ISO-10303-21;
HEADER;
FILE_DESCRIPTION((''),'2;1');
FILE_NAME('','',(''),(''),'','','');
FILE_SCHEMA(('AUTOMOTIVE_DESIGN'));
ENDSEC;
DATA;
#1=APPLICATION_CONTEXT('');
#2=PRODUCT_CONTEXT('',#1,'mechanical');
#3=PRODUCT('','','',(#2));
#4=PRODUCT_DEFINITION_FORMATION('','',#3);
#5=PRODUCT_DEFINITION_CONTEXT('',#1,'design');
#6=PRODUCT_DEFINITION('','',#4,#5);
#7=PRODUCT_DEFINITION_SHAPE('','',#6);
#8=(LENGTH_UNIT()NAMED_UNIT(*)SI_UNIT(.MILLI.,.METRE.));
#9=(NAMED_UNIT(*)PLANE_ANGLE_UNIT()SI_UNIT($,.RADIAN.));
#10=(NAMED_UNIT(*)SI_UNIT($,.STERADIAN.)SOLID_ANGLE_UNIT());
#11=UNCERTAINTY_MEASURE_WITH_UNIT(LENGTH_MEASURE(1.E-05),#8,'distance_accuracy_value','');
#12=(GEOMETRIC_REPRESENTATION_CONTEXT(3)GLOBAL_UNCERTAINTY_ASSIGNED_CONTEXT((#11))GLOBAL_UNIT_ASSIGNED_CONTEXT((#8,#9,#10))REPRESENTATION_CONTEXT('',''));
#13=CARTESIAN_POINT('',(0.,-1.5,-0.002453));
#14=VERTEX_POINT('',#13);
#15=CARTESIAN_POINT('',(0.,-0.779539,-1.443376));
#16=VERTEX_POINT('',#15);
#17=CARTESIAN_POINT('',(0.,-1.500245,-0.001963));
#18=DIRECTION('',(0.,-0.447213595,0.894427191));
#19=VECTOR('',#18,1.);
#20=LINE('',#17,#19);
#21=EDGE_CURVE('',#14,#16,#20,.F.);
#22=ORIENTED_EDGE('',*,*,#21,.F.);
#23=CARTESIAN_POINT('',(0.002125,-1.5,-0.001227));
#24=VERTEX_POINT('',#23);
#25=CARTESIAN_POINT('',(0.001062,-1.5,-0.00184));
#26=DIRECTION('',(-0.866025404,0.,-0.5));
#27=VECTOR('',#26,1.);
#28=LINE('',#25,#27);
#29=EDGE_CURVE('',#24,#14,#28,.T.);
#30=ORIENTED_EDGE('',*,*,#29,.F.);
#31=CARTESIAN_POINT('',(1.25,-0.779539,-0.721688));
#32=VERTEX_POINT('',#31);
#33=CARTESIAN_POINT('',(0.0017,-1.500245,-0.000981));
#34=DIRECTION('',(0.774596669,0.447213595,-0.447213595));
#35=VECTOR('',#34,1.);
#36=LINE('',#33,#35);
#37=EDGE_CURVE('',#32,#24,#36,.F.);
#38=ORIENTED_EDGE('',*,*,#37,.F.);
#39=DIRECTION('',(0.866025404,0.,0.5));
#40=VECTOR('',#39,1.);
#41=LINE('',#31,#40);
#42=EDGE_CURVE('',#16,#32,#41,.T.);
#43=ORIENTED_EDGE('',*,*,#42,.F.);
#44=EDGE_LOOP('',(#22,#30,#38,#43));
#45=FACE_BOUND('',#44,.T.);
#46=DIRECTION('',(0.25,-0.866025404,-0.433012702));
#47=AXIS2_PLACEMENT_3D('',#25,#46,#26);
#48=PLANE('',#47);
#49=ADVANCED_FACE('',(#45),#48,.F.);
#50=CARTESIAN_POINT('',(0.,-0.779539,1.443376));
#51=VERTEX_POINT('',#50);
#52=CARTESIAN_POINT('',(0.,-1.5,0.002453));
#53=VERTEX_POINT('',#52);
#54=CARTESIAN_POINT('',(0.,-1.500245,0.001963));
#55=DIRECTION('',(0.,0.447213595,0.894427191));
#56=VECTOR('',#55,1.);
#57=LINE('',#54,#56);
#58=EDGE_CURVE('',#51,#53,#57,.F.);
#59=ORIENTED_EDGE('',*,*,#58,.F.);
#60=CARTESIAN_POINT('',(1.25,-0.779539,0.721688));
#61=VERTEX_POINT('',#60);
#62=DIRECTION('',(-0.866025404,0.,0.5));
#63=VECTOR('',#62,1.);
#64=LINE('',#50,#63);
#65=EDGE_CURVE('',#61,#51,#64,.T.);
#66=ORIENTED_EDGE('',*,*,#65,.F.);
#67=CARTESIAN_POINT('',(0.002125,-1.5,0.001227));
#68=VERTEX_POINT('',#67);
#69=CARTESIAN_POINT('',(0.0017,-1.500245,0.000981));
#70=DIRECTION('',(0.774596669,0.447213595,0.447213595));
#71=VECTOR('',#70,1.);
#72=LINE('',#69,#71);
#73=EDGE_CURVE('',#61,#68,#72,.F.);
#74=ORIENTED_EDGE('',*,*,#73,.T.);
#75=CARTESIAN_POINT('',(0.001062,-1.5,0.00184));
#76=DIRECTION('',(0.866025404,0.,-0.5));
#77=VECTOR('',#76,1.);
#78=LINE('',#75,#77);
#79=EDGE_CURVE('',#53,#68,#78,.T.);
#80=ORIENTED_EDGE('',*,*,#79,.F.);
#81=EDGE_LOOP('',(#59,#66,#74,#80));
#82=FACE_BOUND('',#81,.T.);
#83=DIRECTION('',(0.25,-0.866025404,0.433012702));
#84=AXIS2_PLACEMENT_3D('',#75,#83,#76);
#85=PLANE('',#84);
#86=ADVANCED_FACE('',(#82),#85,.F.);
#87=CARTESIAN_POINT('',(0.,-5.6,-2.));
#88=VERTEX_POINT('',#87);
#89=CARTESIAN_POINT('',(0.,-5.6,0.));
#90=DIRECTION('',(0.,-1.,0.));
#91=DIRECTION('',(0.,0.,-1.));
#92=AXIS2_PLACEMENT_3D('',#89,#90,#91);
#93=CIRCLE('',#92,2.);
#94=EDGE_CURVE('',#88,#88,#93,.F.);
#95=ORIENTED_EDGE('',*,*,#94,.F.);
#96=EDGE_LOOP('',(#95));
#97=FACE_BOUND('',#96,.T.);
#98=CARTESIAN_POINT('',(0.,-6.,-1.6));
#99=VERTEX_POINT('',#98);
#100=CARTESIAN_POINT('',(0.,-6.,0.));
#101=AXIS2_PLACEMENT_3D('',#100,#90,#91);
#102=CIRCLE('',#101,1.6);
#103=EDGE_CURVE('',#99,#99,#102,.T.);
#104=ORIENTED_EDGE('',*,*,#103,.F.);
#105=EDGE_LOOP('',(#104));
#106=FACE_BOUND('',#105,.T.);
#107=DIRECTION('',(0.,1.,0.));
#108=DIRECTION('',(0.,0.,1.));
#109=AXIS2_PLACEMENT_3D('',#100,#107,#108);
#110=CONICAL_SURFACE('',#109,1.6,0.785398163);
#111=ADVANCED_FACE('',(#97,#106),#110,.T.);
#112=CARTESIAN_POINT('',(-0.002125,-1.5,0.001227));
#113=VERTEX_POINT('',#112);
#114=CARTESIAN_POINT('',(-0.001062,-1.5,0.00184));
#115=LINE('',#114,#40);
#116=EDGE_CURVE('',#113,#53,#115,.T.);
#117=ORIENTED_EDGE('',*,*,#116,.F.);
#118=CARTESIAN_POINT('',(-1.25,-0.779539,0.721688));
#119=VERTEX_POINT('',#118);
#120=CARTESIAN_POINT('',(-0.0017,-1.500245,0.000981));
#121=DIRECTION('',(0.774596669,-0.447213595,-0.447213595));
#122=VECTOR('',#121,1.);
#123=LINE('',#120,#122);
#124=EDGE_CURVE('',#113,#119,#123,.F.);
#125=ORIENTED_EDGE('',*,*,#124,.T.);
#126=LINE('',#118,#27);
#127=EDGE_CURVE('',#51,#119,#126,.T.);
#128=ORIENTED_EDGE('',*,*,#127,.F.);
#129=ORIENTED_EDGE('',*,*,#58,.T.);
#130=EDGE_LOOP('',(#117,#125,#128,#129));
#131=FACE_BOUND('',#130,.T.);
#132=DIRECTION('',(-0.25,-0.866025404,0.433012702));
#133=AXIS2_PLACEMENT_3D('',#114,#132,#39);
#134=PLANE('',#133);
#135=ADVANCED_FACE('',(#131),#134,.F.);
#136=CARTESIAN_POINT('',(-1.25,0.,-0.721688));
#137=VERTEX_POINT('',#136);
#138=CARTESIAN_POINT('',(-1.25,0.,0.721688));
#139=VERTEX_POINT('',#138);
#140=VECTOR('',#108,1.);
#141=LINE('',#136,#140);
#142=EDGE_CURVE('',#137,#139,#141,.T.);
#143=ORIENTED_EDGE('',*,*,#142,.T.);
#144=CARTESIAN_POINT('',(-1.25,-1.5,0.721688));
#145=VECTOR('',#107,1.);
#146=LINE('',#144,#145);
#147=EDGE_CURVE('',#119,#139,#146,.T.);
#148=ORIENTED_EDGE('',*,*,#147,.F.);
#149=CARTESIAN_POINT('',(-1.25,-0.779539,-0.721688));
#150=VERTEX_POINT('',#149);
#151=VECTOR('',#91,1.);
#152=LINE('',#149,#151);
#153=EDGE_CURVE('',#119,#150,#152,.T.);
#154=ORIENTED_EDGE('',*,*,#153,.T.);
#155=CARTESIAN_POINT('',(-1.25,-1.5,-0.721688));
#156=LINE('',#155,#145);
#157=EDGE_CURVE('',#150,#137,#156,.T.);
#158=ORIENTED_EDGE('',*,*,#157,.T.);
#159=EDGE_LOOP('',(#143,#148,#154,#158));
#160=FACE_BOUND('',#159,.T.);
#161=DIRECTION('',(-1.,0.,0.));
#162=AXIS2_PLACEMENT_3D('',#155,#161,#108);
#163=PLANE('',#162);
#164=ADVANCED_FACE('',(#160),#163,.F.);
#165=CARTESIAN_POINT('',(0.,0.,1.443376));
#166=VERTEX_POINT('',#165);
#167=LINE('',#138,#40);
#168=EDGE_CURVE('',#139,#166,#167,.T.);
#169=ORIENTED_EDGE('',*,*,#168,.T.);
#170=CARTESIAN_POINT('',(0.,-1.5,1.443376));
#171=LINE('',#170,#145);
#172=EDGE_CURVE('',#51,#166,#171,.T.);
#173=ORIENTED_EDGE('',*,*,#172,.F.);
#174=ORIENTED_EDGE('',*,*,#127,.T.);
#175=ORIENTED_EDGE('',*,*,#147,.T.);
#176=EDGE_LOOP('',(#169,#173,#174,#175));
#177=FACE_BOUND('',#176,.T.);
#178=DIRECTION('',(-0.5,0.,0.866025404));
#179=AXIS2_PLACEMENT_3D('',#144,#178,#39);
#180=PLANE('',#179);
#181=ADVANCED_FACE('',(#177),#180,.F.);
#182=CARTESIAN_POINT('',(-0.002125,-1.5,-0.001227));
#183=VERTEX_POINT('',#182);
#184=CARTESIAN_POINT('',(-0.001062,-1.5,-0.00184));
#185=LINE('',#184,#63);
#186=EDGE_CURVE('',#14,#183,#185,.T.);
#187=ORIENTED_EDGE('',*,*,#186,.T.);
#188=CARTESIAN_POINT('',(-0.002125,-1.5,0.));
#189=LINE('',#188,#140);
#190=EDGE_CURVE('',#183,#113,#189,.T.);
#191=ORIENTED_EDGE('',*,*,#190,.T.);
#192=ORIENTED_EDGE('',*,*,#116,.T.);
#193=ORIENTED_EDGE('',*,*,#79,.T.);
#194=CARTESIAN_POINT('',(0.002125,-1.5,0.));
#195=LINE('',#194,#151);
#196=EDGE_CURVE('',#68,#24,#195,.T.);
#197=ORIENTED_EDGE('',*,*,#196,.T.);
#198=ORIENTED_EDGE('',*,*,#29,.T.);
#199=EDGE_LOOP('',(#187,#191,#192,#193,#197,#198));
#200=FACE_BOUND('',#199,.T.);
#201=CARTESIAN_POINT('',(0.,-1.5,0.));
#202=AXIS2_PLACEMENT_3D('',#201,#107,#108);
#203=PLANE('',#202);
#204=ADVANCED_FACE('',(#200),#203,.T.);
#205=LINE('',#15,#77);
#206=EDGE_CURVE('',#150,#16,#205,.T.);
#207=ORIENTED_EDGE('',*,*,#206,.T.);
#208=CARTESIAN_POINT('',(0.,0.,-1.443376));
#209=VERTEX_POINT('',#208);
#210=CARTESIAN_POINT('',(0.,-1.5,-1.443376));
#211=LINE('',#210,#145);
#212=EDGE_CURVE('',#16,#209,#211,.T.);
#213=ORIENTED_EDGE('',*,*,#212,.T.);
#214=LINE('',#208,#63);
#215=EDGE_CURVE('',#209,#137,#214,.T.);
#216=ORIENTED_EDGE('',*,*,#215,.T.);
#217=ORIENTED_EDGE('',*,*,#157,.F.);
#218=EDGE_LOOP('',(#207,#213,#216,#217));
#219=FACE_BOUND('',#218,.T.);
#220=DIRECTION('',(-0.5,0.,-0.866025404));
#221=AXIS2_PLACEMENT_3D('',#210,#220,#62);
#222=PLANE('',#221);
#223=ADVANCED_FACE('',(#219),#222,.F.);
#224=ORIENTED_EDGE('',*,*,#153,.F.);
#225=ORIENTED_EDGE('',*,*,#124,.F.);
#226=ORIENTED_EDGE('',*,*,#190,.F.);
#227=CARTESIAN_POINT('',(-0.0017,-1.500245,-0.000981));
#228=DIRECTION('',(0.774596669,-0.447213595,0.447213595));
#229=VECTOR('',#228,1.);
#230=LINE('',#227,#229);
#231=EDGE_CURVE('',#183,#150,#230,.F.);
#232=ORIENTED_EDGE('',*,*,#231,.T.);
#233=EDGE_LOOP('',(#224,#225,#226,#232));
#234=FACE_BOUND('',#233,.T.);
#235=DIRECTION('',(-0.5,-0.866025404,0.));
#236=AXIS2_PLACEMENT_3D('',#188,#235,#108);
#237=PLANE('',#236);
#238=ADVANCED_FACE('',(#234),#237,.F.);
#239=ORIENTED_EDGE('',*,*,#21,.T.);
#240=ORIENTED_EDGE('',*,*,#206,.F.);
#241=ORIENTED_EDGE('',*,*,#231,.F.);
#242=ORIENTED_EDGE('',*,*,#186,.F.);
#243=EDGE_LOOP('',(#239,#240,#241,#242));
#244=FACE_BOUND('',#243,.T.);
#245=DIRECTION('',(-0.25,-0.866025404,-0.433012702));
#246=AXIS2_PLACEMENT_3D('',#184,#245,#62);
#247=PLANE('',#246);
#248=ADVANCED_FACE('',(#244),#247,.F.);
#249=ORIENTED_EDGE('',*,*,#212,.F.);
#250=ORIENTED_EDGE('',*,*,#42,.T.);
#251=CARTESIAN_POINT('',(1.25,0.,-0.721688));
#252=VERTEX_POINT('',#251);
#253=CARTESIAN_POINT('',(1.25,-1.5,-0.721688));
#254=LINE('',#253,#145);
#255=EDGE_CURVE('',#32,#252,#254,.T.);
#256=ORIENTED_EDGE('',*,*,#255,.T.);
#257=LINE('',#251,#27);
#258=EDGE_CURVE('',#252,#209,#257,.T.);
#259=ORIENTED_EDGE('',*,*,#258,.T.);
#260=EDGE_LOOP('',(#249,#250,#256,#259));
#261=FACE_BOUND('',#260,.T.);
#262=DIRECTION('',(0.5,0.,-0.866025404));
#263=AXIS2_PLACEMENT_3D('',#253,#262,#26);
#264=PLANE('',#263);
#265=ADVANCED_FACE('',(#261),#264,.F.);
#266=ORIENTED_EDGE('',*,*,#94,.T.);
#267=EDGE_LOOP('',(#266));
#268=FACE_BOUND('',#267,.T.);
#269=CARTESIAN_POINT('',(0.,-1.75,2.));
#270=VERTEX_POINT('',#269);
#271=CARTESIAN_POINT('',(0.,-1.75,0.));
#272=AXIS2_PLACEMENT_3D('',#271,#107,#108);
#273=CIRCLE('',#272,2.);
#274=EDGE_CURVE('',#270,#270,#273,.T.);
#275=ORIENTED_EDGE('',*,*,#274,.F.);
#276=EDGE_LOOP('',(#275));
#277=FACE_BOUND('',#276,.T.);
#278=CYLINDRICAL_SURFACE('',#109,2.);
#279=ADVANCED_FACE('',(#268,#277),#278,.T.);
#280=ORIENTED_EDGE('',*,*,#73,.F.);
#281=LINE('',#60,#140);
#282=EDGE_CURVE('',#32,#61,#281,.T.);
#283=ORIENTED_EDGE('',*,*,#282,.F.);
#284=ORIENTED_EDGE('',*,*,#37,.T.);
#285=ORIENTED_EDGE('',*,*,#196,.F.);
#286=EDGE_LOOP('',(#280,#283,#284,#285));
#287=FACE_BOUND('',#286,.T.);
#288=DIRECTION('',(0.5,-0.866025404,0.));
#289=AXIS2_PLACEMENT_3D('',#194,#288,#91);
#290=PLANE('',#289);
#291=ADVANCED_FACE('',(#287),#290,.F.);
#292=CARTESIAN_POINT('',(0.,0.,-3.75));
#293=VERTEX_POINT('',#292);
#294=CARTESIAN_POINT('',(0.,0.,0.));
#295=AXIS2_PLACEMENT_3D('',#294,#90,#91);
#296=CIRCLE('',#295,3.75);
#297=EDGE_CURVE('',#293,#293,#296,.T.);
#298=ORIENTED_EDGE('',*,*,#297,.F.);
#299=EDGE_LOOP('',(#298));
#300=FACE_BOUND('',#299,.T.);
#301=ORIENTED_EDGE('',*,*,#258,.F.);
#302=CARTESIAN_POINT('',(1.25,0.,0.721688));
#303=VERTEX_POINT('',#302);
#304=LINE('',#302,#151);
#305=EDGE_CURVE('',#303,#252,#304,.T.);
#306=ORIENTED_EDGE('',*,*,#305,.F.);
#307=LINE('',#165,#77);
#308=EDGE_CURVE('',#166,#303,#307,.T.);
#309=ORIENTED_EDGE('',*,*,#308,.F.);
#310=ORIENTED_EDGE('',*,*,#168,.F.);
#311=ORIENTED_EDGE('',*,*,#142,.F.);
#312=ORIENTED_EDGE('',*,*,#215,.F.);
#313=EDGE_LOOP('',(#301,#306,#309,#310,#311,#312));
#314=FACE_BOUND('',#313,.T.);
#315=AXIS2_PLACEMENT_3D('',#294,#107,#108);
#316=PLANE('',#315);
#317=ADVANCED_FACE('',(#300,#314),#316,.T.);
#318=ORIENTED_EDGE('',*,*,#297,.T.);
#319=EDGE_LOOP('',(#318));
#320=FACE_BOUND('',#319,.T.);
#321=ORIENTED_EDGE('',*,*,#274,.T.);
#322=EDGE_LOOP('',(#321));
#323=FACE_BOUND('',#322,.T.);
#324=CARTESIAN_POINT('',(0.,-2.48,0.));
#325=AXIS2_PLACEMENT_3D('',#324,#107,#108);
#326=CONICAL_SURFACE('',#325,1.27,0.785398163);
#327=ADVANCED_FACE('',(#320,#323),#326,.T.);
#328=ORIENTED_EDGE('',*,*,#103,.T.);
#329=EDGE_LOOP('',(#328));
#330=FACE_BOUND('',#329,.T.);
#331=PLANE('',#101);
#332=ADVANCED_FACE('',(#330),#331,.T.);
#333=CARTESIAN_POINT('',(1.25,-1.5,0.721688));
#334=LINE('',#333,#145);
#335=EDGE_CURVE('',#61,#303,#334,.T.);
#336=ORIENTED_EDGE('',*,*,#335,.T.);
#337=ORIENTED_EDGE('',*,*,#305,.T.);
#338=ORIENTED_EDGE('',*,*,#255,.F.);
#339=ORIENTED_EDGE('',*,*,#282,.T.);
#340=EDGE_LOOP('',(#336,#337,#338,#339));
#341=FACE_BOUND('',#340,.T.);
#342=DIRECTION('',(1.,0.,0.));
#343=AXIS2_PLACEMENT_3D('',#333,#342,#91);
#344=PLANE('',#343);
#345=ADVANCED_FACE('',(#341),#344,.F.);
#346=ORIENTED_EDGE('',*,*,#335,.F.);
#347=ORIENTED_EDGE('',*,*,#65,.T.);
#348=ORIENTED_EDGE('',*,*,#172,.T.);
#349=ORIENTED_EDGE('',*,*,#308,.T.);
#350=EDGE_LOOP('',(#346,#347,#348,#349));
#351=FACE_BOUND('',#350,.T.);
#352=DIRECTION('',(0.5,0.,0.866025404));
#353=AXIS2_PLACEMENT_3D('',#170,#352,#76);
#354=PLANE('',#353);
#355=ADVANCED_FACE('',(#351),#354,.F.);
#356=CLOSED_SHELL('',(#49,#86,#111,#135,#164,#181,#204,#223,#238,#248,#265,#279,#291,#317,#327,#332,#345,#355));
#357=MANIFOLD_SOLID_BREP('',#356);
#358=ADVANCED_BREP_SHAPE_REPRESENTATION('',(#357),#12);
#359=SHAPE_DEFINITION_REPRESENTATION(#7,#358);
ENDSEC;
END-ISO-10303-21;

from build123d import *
from OCP.BRepFilletAPI import BRepFilletAPI_MakeChamfer

# Parameters (mm, degrees)
SKETCH_4_R          = 2
EXTRUDE_2_DEPTH     = 6
CUT_EXTRUDE_1_DEPTH = 1.5
CHAMFER_3_SIZE      = 0.720461095
CHAMFER_3_SIZE2     = 1.247875222
CHAMFER_4_SIZE      = 0.4


with BuildPart() as part:
    # 草图2 → 旋转1 (revolve)
    with BuildSketch(Plane.XY):
        Polygon((0, -2.48), (0, 0), (3.75, 0), (1.27, -2.48), align=None)
    revolve(axis=Axis((0, -2.48, 0), (0, 1, 0)))

    # 草图4 → 凸台-拉伸2 (add)
    with BuildSketch(Plane.XZ):
        Circle(SKETCH_4_R)
    extrude(amount=EXTRUDE_2_DEPTH)

    # 草图3 → 切除-拉伸1 (cut)
    with BuildSketch(Plane(origin=(0, 0, 0), x_dir=(1, 0, 0), z_dir=(0, 1, 0))):
        Polygon((1.25, 0.721687836), (0, 1.443375673), (-1.25, 0.721687836), (-1.25, -0.721687836), (0, -1.443375673), (1.25, -0.721687836), align=None)
    extrude(amount=-CUT_EXTRUDE_1_DEPTH, mode=Mode.SUBTRACT)

    # 倒角3: one chamfer whose edges measure the first distance from different faces: ONE call of the kernel's chamfer builder (chamfer() names one face for all edges)
    chamfer_3_edges_1 = [part.edges().sort_by_distance(p)[0] for p in [
        (-0.625, -1.5, 1.082531755),
    ]]
    chamfer_3_side_1 = [part.faces().sort_by_distance(p)[0] for p in [
        (-0.625, -0.75, 1.082531755),
    ]]
    chamfer_3_edges_2 = [part.edges().sort_by_distance(p)[0] for p in [
        (-1.25, -1.5, 0),
    ]]
    chamfer_3_side_2 = [part.faces().sort_by_distance(p)[0] for p in [
        (-1.25, -0.75, 0),
    ]]
    chamfer_3_edges_3 = [part.edges().sort_by_distance(p)[0] for p in [
        (-0.625, -1.5, -1.082531755),
    ]]
    chamfer_3_side_3 = [part.faces().sort_by_distance(p)[0] for p in [
        (-0.625, -0.75, -1.082531755),
    ]]
    chamfer_3_edges_4 = [part.edges().sort_by_distance(p)[0] for p in [
        (0.625, -1.5, -1.082531755),
    ]]
    chamfer_3_side_4 = [part.faces().sort_by_distance(p)[0] for p in [
        (0.625, -0.75, -1.082531755),
    ]]
    chamfer_3_edges_5 = [part.edges().sort_by_distance(p)[0] for p in [
        (1.25, -1.5, 0),
    ]]
    chamfer_3_side_5 = [part.faces().sort_by_distance(p)[0] for p in [
        (1.25, -0.75, 0),
    ]]
    chamfer_3_edges_6 = [part.edges().sort_by_distance(p)[0] for p in [
        (0.625, -1.5, 1.082531755),
    ]]
    chamfer_3_side_6 = [part.faces().sort_by_distance(p)[0] for p in [
        (0.625, -0.75, 1.082531755),
    ]]
    chamfer_3 = BRepFilletAPI_MakeChamfer(part.part.solid().wrapped)
    for e in chamfer_3_edges_1:
        chamfer_3.Add(CHAMFER_3_SIZE, CHAMFER_3_SIZE2, e.wrapped, chamfer_3_side_1[0].wrapped)  # the first distance lies on this face
    for e in chamfer_3_edges_2:
        chamfer_3.Add(CHAMFER_3_SIZE, CHAMFER_3_SIZE2, e.wrapped, chamfer_3_side_2[0].wrapped)  # the first distance lies on this face
    for e in chamfer_3_edges_3:
        chamfer_3.Add(CHAMFER_3_SIZE, CHAMFER_3_SIZE2, e.wrapped, chamfer_3_side_3[0].wrapped)  # the first distance lies on this face
    for e in chamfer_3_edges_4:
        chamfer_3.Add(CHAMFER_3_SIZE, CHAMFER_3_SIZE2, e.wrapped, chamfer_3_side_4[0].wrapped)  # the first distance lies on this face
    for e in chamfer_3_edges_5:
        chamfer_3.Add(CHAMFER_3_SIZE, CHAMFER_3_SIZE2, e.wrapped, chamfer_3_side_5[0].wrapped)  # the first distance lies on this face
    for e in chamfer_3_edges_6:
        chamfer_3.Add(CHAMFER_3_SIZE, CHAMFER_3_SIZE2, e.wrapped, chamfer_3_side_6[0].wrapped)  # the first distance lies on this face
    add(Compound.cast(chamfer_3.Shape()), mode=Mode.REPLACE)

    # 倒角4
    chamfer_4_edges = [part.edges().sort_by_distance(p)[0] for p in [
        (-2, -6, 0),
    ]]
    chamfer(chamfer_4_edges, length=CHAMFER_4_SIZE)


solid = part.part
